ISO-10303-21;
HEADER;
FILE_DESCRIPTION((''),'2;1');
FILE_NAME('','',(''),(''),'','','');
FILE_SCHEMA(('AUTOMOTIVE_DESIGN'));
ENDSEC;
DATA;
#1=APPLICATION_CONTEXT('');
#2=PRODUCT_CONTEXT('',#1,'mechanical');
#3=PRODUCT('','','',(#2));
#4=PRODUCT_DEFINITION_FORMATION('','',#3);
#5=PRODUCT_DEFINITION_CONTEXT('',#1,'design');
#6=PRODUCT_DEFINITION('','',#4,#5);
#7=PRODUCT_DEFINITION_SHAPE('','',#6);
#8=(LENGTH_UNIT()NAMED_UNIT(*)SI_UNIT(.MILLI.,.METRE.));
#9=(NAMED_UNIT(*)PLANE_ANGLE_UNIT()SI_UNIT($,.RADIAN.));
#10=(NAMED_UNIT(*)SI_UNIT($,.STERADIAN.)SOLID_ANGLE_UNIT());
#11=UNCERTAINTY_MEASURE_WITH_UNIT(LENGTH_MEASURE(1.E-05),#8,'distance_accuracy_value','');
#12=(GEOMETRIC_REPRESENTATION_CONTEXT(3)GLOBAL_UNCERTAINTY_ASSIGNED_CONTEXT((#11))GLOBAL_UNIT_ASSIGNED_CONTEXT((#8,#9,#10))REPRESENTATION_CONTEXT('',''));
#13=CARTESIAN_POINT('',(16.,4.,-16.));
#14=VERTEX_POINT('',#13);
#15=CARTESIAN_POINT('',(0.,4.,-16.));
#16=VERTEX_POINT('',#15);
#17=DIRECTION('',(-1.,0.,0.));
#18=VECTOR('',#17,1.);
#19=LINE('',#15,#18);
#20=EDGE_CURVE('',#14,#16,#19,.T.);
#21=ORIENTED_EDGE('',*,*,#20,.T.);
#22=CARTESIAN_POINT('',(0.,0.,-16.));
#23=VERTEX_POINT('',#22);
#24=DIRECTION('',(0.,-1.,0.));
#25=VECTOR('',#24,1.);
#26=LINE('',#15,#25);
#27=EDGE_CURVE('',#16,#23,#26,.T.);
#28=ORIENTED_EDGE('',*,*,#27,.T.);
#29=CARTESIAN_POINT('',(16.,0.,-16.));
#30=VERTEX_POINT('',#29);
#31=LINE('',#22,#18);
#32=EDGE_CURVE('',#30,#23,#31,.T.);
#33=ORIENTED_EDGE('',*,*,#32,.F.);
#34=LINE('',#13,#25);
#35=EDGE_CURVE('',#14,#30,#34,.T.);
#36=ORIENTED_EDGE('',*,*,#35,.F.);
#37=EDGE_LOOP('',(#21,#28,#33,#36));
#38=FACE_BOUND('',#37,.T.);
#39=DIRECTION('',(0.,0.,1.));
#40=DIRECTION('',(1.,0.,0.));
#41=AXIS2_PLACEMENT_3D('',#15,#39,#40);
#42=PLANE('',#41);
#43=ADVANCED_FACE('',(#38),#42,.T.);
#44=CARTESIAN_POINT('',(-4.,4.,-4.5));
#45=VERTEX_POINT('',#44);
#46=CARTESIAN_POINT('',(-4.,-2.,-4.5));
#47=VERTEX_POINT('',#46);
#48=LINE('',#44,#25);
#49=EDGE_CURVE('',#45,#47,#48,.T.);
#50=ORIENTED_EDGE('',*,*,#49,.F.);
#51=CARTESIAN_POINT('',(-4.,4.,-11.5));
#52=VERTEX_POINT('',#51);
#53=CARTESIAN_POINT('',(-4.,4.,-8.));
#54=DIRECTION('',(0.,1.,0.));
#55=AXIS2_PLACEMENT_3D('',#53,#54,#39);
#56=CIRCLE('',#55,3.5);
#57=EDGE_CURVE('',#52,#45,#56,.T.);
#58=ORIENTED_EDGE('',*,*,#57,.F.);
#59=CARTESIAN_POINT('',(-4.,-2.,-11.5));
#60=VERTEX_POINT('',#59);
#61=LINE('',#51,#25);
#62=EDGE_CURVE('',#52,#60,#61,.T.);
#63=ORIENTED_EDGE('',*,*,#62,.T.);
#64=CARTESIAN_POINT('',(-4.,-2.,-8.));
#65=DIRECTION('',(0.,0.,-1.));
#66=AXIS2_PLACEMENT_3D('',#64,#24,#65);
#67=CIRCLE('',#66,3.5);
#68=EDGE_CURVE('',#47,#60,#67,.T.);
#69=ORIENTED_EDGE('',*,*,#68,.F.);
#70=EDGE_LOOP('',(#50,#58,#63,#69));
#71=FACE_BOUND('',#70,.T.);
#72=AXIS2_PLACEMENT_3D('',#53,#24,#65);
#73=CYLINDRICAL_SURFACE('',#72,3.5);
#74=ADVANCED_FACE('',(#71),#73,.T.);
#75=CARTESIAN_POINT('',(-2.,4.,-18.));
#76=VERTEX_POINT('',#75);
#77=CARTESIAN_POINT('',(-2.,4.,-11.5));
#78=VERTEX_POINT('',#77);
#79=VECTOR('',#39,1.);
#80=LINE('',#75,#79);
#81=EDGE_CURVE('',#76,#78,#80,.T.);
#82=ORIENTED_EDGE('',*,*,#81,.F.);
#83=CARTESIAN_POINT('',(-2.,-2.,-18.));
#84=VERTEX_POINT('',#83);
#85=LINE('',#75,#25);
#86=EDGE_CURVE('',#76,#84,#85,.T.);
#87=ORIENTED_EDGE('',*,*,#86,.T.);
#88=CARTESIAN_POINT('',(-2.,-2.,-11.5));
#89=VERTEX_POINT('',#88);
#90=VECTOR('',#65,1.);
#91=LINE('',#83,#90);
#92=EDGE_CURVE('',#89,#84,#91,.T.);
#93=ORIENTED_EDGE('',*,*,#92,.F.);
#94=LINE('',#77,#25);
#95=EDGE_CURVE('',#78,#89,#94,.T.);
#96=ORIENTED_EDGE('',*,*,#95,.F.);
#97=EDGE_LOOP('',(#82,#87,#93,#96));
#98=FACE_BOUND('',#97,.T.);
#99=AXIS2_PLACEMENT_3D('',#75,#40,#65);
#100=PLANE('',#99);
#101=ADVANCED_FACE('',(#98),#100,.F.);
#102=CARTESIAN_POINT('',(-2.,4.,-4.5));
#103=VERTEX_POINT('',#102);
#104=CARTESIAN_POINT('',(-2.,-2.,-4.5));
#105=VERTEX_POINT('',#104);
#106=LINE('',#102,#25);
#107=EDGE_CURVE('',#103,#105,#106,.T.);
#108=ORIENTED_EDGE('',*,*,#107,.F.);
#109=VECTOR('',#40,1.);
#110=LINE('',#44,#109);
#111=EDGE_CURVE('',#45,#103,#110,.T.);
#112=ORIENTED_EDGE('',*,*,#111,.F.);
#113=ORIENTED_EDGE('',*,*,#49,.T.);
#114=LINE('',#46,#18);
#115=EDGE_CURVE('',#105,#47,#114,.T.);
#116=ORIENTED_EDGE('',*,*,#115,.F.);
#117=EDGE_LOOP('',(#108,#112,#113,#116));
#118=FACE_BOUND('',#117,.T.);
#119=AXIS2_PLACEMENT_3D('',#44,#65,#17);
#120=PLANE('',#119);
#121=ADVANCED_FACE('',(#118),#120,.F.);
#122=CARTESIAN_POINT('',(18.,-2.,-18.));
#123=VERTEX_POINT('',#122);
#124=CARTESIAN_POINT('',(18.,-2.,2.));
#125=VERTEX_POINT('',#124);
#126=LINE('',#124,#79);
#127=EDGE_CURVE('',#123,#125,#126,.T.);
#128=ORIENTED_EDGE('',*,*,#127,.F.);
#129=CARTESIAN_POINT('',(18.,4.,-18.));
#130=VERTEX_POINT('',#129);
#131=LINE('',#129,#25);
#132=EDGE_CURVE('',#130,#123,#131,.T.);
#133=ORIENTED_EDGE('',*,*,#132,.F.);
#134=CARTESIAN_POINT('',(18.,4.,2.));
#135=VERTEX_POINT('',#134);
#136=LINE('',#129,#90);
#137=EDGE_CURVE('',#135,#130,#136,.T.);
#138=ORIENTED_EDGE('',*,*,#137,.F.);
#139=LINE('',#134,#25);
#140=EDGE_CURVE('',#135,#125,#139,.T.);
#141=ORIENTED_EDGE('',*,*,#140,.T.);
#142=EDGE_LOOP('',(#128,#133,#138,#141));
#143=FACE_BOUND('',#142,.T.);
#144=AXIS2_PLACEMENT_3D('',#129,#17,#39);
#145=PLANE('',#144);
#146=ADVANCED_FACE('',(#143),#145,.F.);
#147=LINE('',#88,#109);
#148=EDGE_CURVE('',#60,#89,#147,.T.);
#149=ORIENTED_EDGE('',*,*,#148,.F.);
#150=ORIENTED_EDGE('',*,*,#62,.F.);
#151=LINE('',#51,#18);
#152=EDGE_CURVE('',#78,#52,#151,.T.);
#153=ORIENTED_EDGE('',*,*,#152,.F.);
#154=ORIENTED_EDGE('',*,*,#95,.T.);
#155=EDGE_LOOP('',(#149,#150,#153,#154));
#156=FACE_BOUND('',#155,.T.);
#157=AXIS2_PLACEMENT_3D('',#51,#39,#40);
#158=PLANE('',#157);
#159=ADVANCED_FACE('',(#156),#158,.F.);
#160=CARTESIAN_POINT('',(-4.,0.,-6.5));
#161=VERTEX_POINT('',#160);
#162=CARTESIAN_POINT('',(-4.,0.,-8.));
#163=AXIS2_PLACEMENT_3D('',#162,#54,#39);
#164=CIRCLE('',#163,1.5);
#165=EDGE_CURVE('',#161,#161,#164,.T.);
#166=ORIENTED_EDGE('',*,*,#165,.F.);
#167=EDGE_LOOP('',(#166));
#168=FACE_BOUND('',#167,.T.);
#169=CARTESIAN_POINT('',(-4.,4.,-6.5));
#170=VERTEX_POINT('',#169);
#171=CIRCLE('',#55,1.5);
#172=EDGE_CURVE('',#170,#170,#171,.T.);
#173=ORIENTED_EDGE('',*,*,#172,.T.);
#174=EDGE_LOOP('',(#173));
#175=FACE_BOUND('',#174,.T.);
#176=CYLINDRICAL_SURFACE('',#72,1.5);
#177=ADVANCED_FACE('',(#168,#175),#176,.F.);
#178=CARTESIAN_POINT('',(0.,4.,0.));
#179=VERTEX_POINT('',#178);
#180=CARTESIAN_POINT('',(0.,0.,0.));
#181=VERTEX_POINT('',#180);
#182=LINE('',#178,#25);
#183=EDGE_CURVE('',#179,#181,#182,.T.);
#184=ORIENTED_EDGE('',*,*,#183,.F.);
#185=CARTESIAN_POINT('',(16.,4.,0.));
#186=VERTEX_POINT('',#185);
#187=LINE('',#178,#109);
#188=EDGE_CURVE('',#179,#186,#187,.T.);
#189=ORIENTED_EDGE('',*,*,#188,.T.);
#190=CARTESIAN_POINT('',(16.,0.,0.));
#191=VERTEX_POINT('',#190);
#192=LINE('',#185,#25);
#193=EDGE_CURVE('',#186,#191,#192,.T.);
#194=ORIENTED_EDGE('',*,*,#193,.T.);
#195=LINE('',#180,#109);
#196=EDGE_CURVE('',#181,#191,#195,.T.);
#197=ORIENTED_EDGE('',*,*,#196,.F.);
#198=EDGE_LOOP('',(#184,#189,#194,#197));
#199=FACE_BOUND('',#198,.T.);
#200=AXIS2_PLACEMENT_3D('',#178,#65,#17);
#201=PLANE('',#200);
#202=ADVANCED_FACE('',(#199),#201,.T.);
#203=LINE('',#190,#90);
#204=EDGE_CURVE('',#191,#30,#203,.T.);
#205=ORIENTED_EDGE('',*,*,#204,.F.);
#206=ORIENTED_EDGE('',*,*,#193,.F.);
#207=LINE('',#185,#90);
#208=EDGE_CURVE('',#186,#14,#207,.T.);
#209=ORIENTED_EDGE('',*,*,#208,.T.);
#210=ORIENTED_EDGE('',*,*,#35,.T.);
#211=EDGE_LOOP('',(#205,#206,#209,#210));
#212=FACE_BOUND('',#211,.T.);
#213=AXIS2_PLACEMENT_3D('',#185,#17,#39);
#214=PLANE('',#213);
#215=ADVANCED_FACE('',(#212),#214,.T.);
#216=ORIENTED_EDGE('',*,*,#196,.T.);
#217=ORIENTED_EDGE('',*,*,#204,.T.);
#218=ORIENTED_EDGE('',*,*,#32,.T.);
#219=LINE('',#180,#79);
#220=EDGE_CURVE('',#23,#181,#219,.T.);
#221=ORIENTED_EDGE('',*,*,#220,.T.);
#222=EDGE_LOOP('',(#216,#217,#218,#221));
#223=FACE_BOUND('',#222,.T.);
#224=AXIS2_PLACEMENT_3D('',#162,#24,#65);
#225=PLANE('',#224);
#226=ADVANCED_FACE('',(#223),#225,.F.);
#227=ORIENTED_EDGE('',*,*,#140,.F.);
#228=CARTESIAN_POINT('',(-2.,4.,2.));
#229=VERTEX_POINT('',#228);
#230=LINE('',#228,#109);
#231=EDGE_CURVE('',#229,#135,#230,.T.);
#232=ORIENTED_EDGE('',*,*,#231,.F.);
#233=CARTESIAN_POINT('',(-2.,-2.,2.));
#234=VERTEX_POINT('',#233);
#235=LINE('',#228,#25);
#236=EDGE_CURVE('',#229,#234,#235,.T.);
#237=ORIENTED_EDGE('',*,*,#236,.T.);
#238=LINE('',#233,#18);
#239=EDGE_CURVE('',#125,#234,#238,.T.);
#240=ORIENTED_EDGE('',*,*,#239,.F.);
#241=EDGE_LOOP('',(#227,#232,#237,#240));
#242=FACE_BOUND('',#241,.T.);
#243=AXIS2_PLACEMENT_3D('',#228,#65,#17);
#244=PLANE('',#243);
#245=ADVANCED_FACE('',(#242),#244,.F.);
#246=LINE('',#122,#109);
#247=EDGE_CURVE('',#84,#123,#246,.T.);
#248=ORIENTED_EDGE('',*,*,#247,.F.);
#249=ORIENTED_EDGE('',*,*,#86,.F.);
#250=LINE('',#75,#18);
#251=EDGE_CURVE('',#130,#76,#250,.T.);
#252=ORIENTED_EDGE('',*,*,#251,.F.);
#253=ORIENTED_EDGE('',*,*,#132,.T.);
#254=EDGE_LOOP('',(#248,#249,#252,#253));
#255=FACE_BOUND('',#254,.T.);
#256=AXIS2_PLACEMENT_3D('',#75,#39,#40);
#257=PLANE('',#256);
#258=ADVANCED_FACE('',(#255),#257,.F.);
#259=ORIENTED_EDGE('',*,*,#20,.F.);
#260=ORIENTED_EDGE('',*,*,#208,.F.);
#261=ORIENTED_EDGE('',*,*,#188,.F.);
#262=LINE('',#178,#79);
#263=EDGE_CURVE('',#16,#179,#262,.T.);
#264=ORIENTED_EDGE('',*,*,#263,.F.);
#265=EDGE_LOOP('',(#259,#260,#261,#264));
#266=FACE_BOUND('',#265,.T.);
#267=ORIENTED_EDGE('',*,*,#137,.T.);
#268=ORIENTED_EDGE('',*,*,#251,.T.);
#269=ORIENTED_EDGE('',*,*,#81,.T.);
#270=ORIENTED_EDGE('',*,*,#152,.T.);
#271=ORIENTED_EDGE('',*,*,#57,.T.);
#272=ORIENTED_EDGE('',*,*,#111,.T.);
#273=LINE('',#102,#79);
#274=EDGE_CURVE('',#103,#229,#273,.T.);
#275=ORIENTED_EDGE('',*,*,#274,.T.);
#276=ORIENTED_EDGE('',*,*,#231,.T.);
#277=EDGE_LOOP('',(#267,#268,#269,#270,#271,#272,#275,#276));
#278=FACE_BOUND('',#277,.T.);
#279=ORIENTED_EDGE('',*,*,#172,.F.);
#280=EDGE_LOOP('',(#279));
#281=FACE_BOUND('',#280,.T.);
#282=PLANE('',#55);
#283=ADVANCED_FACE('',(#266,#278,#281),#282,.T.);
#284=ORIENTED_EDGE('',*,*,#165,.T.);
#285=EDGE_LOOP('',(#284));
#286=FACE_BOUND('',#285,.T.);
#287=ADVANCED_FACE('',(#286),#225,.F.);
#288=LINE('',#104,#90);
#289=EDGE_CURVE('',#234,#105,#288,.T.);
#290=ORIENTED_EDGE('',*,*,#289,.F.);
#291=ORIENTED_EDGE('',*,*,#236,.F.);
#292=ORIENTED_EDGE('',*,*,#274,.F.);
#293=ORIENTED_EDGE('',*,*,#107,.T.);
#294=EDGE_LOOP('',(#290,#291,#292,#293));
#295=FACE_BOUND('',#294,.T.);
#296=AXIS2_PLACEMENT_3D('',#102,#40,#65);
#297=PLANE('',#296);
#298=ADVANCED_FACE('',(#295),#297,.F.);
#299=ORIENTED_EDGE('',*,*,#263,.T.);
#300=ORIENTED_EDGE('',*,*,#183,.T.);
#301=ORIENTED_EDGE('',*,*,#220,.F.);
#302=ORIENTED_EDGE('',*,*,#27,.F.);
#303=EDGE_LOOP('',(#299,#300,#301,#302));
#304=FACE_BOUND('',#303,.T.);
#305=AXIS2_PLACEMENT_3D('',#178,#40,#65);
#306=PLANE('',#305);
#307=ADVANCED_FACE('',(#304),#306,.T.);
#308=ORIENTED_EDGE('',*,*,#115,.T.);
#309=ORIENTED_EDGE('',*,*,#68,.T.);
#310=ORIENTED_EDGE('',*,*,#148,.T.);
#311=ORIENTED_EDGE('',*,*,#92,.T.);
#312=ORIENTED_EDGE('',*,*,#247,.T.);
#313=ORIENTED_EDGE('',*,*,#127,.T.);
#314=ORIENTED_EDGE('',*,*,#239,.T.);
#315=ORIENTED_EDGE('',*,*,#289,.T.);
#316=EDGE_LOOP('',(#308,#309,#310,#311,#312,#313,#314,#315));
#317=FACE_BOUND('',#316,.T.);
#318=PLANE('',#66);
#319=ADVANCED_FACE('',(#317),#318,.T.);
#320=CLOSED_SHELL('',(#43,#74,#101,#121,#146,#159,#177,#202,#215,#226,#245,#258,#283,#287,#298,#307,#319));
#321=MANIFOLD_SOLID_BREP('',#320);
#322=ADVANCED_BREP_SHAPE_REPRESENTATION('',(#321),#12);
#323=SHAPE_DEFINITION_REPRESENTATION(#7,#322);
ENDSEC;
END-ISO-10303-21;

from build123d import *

# Parameters (mm, degrees)
SKETCH1_R           = 1.5
SKETCH1_W           = 16
SKETCH1_H           = 16
BOSS_EXTRUDE1_DEPTH = 4
BOSS_EXTRUDE2_START = 2
BOSS_EXTRUDE2_DEPTH = 2


with BuildPart() as part:
    # Sketch1 → Boss-Extrude1 (new body)
    with BuildSketch(Plane(origin=(0, 0, 0), x_dir=(1, 0, 0), z_dir=(0, 1, 0))):
        with BuildLine():
            Line((-2, 18), (18, 18))
            Line((18, 18), (18, -2))
            Line((18, -2), (-2, -2))
            Line((-2, -2), (-2, 4.5))
            Line((-2, 4.5), (-4, 4.5))
            ThreePointArc((-4, 4.5), (-7.5, 8), (-4, 11.5))
            Line((-4, 11.5), (-2, 11.5))
            Line((-2, 11.5), (-2, 18))
        make_face()
        with Locations(Location((-4, 8, 0), (0, 0, 270))):
            Circle(SKETCH1_R, mode=Mode.SUBTRACT)
        with Locations((8, 8)):
            Rectangle(SKETCH1_W, SKETCH1_H, mode=Mode.SUBTRACT)
    extrude(amount=BOSS_EXTRUDE1_DEPTH)

    # Sketch2 → Boss-Extrude2 (add)
    with BuildSketch(Plane.XZ.offset(BOSS_EXTRUDE2_START)):
        with BuildLine():
            Line((18, 2), (18, -18))
            Line((18, -18), (-2, -18))
            Line((-2, -18), (-2, -11.5))
            Line((-2, -11.5), (-4, -11.5))
            ThreePointArc((-4, -11.5), (-7.5, -8), (-4, -4.5))
            Line((-4, -4.5), (-2, -4.5))
            Line((-2, -4.5), (-2, 2))
            Line((-2, 2), (18, 2))
        make_face()
    extrude(amount=-BOSS_EXTRUDE2_DEPTH)


solid = part.part
